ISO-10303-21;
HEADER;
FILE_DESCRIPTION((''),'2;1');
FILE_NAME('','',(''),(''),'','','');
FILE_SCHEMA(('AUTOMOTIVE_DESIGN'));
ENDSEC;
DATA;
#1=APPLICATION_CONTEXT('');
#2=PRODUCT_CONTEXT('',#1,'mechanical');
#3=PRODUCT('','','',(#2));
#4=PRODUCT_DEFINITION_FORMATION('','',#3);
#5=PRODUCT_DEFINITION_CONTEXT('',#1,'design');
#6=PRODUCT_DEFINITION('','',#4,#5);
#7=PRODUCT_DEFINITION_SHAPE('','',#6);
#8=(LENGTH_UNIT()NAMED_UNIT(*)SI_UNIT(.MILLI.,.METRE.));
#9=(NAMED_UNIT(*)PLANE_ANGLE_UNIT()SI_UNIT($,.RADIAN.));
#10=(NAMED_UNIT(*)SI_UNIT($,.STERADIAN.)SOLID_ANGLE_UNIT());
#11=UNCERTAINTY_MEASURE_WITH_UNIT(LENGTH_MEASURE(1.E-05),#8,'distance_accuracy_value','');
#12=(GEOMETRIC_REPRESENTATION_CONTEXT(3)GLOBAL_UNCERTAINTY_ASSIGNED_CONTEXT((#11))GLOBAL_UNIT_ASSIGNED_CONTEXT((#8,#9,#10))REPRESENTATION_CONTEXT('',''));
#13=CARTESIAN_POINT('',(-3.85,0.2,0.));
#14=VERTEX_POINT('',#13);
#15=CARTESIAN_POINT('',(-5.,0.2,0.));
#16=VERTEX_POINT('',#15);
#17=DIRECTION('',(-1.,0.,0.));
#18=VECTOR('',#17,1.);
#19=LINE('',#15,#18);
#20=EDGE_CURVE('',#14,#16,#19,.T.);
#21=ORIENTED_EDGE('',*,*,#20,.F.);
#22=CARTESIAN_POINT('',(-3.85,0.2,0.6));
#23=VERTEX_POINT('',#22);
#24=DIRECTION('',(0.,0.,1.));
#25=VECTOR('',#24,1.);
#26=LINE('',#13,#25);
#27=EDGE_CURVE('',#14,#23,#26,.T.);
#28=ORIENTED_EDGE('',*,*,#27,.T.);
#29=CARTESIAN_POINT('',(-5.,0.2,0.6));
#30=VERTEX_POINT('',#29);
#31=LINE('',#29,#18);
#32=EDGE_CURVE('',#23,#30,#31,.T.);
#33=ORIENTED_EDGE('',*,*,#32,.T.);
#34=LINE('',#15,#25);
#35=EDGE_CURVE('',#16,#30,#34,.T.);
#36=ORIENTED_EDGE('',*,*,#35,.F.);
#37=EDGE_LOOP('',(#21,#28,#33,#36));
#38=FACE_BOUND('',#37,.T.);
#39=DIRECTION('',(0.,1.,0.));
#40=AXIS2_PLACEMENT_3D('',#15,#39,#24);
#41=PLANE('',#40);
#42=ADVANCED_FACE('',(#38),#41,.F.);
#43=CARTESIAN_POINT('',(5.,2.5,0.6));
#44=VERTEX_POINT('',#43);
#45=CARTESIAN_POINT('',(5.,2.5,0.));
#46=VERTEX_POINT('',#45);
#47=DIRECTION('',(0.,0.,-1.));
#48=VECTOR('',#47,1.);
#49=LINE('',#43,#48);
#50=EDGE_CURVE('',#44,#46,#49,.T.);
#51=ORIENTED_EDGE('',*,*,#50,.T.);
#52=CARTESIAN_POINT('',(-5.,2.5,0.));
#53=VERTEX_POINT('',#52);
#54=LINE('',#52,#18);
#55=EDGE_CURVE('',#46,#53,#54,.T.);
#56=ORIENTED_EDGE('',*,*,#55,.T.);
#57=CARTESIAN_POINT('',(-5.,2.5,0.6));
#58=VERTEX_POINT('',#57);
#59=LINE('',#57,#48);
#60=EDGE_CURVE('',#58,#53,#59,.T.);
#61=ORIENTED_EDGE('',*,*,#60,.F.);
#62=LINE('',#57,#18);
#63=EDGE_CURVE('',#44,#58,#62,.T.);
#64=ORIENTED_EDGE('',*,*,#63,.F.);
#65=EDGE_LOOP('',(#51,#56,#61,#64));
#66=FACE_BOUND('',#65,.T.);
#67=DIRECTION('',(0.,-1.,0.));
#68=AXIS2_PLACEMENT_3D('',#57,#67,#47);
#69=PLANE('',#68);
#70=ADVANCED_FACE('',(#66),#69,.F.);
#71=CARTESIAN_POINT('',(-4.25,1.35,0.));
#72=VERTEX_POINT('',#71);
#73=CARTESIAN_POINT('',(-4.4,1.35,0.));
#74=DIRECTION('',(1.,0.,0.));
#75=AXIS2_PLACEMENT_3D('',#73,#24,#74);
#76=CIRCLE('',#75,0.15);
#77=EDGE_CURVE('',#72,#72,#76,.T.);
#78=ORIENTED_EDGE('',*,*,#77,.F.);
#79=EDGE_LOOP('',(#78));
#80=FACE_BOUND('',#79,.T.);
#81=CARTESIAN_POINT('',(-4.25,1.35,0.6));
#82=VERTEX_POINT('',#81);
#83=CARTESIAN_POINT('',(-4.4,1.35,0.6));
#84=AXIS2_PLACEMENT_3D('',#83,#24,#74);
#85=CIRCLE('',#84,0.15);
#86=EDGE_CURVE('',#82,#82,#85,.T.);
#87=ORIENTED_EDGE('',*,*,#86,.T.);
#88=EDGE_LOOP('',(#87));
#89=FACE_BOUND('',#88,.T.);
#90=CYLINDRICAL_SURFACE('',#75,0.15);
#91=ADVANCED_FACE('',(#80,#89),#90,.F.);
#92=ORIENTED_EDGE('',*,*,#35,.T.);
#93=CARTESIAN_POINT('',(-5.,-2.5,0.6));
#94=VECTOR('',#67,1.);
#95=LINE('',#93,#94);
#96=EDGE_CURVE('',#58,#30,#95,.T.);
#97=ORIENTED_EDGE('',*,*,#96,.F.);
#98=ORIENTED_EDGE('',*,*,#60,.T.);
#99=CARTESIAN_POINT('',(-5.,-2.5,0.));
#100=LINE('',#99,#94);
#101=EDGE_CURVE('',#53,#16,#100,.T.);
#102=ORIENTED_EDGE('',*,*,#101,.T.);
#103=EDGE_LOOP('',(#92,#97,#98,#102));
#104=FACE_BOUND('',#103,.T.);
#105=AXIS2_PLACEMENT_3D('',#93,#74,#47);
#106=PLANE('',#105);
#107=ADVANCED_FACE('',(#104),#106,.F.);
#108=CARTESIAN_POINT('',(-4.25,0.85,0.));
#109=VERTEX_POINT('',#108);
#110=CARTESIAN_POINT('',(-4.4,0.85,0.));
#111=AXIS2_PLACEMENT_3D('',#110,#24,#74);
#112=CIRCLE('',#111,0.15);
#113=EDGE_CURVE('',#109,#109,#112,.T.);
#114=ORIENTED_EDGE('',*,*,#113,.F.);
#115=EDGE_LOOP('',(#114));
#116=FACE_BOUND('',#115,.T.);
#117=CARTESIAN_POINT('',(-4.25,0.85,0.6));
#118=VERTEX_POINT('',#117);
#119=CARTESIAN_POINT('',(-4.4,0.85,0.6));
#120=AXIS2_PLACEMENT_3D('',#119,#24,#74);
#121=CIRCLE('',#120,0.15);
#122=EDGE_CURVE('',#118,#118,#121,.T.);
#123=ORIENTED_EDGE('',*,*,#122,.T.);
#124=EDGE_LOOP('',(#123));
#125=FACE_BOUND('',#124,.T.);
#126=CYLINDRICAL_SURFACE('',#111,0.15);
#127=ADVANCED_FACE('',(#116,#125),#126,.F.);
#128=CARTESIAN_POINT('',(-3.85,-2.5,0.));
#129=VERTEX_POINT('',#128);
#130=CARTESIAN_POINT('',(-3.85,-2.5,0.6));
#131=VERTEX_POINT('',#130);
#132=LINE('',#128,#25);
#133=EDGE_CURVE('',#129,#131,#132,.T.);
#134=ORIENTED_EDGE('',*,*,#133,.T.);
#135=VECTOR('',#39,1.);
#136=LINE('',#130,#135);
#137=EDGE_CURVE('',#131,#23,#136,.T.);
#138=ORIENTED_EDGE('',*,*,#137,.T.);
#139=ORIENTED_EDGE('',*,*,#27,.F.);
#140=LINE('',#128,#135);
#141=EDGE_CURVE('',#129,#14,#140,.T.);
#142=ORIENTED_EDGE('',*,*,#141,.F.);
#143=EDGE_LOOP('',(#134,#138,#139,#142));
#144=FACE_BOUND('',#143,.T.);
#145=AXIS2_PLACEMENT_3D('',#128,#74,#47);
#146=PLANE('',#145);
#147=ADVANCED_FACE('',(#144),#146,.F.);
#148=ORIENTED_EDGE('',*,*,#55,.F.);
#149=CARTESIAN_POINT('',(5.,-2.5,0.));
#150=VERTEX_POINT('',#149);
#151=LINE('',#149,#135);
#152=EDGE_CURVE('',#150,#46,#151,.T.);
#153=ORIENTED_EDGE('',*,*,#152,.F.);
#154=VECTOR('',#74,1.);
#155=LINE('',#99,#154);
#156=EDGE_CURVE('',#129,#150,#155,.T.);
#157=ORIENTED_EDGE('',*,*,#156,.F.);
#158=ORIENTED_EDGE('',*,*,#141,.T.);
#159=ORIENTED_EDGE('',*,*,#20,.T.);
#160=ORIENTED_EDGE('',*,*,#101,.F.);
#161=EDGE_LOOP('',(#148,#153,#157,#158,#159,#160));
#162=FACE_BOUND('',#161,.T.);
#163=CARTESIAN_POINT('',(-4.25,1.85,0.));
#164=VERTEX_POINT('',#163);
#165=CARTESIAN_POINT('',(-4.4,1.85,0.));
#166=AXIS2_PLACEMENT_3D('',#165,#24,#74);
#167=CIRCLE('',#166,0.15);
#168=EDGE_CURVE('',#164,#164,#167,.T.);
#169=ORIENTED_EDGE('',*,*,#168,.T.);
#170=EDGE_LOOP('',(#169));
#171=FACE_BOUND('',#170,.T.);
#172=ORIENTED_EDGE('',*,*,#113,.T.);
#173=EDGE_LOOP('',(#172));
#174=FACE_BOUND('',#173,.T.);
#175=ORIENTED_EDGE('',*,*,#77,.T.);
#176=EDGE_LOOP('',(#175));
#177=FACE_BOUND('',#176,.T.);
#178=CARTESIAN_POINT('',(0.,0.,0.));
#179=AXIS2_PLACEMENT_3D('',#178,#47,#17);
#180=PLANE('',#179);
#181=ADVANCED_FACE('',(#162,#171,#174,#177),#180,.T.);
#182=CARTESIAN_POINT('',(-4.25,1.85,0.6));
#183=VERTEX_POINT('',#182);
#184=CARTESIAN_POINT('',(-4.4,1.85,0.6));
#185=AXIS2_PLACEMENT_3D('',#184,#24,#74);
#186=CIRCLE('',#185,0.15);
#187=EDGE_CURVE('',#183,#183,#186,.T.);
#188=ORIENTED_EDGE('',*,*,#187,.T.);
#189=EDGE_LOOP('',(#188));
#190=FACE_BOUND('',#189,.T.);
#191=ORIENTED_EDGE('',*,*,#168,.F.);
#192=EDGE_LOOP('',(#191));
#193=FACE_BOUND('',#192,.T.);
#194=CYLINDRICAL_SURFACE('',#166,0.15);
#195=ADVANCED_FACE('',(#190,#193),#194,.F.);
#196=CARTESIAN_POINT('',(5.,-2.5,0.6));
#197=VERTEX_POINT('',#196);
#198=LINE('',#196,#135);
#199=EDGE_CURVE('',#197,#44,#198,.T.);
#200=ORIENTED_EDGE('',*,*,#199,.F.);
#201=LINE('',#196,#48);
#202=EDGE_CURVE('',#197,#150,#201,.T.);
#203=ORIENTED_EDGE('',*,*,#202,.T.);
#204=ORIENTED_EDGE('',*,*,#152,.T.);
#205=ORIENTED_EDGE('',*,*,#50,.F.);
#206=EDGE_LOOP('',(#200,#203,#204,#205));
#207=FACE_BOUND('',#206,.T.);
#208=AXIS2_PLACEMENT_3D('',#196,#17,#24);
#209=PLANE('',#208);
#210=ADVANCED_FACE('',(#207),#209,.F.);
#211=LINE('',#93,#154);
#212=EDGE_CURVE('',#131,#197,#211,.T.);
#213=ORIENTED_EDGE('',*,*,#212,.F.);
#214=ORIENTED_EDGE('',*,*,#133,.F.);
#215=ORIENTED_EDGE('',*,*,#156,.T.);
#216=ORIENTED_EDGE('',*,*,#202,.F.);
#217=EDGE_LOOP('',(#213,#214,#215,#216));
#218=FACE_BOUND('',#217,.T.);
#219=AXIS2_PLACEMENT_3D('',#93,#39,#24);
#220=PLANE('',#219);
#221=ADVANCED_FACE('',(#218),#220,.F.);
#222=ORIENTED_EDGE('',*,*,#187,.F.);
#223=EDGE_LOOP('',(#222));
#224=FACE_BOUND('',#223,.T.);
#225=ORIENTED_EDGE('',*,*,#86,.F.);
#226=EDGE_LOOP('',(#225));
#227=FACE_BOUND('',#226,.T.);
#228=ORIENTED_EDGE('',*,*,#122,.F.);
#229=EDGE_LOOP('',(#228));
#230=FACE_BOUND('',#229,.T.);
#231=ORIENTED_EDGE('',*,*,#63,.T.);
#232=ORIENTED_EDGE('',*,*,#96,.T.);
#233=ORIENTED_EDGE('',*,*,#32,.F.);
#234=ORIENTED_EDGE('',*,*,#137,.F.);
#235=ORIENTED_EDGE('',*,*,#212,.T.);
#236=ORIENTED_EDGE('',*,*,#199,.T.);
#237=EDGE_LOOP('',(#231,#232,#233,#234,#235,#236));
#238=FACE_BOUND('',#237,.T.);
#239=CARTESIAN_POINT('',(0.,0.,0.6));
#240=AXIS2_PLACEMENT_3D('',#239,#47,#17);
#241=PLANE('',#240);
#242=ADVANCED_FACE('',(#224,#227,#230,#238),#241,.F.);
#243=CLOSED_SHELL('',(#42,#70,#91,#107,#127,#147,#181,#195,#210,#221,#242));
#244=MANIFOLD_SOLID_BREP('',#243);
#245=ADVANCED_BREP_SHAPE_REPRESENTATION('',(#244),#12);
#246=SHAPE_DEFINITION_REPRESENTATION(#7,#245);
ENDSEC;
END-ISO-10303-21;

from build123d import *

# Parameters (mm, degrees)
SKETCH1_W           = 10
SKETCH1_H           = 5
BOSS_EXTRUDE1_DEPTH = 0.6
SKETCH2_W           = 1.15
SKETCH2_H           = 2.7
CUT_EXTRUDE1_DEPTH  = 6.622277119
SKETCH3_R           = 0.15
CUT_EXTRUDE2_DEPTH  = 6.622277119


with BuildPart() as part:
    # Sketch1 → Boss-Extrude1 (new body)
    with BuildSketch(Plane.XY):
        Rectangle(SKETCH1_W, SKETCH1_H)
    extrude(amount=BOSS_EXTRUDE1_DEPTH)

    # Sketch2 → Cut-Extrude1 (cut, through all)
    with BuildSketch(Plane.XY.offset(0.6)):
        with Locations((-4.425, -1.15)):
            Rectangle(SKETCH2_W, SKETCH2_H)
    extrude(amount=-CUT_EXTRUDE1_DEPTH, mode=Mode.SUBTRACT)

    # Sketch3 → Cut-Extrude2 (cut, through all)
    with BuildSketch(Plane.XY.offset(0.6)):
        with Locations((-4.4, 1.85)):
            Circle(SKETCH3_R)
        with Locations((-4.4, 1.35)):
            Circle(SKETCH3_R)
        with Locations((-4.4, 0.85)):
            Circle(SKETCH3_R)
    extrude(amount=-CUT_EXTRUDE2_DEPTH, mode=Mode.SUBTRACT)


solid = part.part
